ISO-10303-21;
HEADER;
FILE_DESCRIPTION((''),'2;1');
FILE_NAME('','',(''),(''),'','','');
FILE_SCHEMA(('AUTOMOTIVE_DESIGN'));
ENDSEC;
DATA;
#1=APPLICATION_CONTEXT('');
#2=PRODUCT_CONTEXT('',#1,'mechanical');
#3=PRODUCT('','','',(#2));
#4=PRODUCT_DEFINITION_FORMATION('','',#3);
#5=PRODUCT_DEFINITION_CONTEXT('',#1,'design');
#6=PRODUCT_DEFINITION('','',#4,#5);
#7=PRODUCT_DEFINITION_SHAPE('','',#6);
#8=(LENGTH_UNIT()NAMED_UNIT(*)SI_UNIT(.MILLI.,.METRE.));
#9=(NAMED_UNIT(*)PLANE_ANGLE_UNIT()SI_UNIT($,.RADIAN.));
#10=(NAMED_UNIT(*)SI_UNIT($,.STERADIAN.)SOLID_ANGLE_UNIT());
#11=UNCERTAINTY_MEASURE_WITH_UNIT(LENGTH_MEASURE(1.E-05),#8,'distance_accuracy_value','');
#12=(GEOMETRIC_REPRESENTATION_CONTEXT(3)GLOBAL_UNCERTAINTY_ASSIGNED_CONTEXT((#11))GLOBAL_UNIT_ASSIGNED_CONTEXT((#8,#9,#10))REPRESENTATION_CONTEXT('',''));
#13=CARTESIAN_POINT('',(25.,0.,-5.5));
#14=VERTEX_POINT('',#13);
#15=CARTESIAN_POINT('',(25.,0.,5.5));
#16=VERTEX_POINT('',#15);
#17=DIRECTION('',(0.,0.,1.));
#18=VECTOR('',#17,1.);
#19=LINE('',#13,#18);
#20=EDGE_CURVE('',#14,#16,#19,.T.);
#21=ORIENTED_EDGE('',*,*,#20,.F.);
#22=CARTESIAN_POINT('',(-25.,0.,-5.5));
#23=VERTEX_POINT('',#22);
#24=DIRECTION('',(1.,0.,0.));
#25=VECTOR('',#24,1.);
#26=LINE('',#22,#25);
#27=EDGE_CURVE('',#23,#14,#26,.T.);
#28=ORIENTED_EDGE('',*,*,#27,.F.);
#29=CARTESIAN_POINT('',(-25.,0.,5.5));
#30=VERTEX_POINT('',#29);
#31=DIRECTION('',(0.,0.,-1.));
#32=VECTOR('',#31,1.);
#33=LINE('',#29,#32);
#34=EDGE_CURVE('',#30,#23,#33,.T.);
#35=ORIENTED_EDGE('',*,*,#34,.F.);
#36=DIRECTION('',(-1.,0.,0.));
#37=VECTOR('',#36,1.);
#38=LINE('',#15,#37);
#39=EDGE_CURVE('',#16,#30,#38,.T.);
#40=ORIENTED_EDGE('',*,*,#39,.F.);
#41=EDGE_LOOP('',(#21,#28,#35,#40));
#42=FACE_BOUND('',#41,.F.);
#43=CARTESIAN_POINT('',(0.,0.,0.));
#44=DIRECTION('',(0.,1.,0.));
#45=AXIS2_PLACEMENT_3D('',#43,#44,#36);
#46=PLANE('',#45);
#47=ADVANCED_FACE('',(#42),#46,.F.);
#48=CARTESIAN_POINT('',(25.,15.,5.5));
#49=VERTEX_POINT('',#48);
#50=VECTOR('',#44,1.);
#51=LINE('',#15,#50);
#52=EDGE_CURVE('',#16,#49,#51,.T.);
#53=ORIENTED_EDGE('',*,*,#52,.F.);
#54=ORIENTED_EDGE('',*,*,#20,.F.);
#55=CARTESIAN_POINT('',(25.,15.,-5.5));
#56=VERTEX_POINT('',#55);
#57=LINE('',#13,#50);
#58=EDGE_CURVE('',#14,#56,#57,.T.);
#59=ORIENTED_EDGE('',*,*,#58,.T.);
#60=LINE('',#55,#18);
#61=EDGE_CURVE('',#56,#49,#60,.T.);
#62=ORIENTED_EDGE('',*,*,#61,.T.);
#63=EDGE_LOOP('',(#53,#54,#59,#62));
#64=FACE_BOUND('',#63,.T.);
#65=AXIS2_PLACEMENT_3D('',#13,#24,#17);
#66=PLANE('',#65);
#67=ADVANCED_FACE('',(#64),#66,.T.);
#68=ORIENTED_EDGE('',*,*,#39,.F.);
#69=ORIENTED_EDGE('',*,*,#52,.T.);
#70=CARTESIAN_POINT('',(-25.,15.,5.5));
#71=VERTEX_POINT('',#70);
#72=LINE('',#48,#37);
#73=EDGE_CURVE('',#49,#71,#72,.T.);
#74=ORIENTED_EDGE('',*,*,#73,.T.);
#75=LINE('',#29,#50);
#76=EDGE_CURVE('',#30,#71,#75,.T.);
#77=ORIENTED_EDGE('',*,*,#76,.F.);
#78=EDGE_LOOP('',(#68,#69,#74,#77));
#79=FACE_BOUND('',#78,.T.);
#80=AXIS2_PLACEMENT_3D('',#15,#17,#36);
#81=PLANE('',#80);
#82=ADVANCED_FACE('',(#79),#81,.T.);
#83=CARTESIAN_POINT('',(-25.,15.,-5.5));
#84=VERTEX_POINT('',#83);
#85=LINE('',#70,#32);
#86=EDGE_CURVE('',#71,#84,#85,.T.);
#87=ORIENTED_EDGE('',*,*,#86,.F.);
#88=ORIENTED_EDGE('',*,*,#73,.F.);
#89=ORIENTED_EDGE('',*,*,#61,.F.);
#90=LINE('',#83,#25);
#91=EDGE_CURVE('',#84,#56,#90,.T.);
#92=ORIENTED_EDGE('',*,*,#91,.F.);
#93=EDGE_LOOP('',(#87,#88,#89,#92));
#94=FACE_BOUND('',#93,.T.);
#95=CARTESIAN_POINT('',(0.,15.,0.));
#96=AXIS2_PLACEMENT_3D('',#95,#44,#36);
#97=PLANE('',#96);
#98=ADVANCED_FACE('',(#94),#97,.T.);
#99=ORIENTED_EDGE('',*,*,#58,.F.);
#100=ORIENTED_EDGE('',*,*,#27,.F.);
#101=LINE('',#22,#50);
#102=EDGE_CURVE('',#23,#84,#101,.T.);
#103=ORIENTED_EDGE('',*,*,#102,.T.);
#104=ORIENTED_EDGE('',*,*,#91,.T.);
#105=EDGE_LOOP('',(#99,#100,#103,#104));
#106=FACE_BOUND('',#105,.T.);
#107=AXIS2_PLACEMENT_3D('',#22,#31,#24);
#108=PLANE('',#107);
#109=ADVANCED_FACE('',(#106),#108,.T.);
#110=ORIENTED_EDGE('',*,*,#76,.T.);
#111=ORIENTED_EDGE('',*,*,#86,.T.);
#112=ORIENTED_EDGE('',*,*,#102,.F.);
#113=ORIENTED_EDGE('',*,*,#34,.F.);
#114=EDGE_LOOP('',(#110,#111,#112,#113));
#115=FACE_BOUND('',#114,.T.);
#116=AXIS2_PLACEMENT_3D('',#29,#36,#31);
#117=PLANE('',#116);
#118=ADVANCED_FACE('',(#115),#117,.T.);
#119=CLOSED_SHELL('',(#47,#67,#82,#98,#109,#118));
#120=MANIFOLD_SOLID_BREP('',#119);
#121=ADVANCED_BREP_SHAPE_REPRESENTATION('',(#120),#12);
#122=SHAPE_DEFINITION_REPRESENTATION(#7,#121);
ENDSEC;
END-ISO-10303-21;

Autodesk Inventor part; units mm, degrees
ref_plane "YZ Plane" through (0, 0, 0) normal (1, 0, 0) x (0, 1, 0)
ref_plane "XZ Plane" through (0, 0, 0) normal (0, 1, 0) x (-1, 0, 0)
ref_plane "XY Plane" through (0, 0, 0) normal (0, 0, 1) x (1, 0, 0)
sketch "Szkic1" plane through (0, 0, 0) normal (0, 1, 0) x (-1, 0, 0)
  line L0 (0, -7.7) -> (0, 7.7) construction
  line L1 (35, 0) -> (-35, 0) construction
  line L2 (-25, 5.5) -> (25, 5.5)
  line L3 (25, 5.5) -> (25, -5.5)
  line L4 (25, -5.5) -> (-25, -5.5)
  line L5 (-25, -5.5) -> (-25, 5.5)
  line L6 (-25, 5.5) -> (25, -5.5) construction
  line L7 (25, 5.5) -> (-25, -5.5) construction
  point P0 (0, 0)
  dimension "d0" = 50
  dimension "d1" = 11
extrude "Wyciągnięcie proste1" add sketch "Szkic1" along normal blind 15
sketch "Szkic2" plane through (-25, 0, 5.5) normal (0, 0, 1) x (1, 0, 0)
  line L0 (-10, 0) -> (60, 0) construction
  line L1 (25, -3) -> (25, 18) construction
  circle A0 centre (25, 8) radius 1.6
  circle A1 centre (41, 8) radius 1.6
  point P0 (25, 0)
  dimension "d4" = 3.2
  dimension "d5" = 3.2
  dimension "d6" = 8
  dimension "d7" = 8
  dimension "d8" = 16
properties part number "uMule-podpurka_elektronika"
